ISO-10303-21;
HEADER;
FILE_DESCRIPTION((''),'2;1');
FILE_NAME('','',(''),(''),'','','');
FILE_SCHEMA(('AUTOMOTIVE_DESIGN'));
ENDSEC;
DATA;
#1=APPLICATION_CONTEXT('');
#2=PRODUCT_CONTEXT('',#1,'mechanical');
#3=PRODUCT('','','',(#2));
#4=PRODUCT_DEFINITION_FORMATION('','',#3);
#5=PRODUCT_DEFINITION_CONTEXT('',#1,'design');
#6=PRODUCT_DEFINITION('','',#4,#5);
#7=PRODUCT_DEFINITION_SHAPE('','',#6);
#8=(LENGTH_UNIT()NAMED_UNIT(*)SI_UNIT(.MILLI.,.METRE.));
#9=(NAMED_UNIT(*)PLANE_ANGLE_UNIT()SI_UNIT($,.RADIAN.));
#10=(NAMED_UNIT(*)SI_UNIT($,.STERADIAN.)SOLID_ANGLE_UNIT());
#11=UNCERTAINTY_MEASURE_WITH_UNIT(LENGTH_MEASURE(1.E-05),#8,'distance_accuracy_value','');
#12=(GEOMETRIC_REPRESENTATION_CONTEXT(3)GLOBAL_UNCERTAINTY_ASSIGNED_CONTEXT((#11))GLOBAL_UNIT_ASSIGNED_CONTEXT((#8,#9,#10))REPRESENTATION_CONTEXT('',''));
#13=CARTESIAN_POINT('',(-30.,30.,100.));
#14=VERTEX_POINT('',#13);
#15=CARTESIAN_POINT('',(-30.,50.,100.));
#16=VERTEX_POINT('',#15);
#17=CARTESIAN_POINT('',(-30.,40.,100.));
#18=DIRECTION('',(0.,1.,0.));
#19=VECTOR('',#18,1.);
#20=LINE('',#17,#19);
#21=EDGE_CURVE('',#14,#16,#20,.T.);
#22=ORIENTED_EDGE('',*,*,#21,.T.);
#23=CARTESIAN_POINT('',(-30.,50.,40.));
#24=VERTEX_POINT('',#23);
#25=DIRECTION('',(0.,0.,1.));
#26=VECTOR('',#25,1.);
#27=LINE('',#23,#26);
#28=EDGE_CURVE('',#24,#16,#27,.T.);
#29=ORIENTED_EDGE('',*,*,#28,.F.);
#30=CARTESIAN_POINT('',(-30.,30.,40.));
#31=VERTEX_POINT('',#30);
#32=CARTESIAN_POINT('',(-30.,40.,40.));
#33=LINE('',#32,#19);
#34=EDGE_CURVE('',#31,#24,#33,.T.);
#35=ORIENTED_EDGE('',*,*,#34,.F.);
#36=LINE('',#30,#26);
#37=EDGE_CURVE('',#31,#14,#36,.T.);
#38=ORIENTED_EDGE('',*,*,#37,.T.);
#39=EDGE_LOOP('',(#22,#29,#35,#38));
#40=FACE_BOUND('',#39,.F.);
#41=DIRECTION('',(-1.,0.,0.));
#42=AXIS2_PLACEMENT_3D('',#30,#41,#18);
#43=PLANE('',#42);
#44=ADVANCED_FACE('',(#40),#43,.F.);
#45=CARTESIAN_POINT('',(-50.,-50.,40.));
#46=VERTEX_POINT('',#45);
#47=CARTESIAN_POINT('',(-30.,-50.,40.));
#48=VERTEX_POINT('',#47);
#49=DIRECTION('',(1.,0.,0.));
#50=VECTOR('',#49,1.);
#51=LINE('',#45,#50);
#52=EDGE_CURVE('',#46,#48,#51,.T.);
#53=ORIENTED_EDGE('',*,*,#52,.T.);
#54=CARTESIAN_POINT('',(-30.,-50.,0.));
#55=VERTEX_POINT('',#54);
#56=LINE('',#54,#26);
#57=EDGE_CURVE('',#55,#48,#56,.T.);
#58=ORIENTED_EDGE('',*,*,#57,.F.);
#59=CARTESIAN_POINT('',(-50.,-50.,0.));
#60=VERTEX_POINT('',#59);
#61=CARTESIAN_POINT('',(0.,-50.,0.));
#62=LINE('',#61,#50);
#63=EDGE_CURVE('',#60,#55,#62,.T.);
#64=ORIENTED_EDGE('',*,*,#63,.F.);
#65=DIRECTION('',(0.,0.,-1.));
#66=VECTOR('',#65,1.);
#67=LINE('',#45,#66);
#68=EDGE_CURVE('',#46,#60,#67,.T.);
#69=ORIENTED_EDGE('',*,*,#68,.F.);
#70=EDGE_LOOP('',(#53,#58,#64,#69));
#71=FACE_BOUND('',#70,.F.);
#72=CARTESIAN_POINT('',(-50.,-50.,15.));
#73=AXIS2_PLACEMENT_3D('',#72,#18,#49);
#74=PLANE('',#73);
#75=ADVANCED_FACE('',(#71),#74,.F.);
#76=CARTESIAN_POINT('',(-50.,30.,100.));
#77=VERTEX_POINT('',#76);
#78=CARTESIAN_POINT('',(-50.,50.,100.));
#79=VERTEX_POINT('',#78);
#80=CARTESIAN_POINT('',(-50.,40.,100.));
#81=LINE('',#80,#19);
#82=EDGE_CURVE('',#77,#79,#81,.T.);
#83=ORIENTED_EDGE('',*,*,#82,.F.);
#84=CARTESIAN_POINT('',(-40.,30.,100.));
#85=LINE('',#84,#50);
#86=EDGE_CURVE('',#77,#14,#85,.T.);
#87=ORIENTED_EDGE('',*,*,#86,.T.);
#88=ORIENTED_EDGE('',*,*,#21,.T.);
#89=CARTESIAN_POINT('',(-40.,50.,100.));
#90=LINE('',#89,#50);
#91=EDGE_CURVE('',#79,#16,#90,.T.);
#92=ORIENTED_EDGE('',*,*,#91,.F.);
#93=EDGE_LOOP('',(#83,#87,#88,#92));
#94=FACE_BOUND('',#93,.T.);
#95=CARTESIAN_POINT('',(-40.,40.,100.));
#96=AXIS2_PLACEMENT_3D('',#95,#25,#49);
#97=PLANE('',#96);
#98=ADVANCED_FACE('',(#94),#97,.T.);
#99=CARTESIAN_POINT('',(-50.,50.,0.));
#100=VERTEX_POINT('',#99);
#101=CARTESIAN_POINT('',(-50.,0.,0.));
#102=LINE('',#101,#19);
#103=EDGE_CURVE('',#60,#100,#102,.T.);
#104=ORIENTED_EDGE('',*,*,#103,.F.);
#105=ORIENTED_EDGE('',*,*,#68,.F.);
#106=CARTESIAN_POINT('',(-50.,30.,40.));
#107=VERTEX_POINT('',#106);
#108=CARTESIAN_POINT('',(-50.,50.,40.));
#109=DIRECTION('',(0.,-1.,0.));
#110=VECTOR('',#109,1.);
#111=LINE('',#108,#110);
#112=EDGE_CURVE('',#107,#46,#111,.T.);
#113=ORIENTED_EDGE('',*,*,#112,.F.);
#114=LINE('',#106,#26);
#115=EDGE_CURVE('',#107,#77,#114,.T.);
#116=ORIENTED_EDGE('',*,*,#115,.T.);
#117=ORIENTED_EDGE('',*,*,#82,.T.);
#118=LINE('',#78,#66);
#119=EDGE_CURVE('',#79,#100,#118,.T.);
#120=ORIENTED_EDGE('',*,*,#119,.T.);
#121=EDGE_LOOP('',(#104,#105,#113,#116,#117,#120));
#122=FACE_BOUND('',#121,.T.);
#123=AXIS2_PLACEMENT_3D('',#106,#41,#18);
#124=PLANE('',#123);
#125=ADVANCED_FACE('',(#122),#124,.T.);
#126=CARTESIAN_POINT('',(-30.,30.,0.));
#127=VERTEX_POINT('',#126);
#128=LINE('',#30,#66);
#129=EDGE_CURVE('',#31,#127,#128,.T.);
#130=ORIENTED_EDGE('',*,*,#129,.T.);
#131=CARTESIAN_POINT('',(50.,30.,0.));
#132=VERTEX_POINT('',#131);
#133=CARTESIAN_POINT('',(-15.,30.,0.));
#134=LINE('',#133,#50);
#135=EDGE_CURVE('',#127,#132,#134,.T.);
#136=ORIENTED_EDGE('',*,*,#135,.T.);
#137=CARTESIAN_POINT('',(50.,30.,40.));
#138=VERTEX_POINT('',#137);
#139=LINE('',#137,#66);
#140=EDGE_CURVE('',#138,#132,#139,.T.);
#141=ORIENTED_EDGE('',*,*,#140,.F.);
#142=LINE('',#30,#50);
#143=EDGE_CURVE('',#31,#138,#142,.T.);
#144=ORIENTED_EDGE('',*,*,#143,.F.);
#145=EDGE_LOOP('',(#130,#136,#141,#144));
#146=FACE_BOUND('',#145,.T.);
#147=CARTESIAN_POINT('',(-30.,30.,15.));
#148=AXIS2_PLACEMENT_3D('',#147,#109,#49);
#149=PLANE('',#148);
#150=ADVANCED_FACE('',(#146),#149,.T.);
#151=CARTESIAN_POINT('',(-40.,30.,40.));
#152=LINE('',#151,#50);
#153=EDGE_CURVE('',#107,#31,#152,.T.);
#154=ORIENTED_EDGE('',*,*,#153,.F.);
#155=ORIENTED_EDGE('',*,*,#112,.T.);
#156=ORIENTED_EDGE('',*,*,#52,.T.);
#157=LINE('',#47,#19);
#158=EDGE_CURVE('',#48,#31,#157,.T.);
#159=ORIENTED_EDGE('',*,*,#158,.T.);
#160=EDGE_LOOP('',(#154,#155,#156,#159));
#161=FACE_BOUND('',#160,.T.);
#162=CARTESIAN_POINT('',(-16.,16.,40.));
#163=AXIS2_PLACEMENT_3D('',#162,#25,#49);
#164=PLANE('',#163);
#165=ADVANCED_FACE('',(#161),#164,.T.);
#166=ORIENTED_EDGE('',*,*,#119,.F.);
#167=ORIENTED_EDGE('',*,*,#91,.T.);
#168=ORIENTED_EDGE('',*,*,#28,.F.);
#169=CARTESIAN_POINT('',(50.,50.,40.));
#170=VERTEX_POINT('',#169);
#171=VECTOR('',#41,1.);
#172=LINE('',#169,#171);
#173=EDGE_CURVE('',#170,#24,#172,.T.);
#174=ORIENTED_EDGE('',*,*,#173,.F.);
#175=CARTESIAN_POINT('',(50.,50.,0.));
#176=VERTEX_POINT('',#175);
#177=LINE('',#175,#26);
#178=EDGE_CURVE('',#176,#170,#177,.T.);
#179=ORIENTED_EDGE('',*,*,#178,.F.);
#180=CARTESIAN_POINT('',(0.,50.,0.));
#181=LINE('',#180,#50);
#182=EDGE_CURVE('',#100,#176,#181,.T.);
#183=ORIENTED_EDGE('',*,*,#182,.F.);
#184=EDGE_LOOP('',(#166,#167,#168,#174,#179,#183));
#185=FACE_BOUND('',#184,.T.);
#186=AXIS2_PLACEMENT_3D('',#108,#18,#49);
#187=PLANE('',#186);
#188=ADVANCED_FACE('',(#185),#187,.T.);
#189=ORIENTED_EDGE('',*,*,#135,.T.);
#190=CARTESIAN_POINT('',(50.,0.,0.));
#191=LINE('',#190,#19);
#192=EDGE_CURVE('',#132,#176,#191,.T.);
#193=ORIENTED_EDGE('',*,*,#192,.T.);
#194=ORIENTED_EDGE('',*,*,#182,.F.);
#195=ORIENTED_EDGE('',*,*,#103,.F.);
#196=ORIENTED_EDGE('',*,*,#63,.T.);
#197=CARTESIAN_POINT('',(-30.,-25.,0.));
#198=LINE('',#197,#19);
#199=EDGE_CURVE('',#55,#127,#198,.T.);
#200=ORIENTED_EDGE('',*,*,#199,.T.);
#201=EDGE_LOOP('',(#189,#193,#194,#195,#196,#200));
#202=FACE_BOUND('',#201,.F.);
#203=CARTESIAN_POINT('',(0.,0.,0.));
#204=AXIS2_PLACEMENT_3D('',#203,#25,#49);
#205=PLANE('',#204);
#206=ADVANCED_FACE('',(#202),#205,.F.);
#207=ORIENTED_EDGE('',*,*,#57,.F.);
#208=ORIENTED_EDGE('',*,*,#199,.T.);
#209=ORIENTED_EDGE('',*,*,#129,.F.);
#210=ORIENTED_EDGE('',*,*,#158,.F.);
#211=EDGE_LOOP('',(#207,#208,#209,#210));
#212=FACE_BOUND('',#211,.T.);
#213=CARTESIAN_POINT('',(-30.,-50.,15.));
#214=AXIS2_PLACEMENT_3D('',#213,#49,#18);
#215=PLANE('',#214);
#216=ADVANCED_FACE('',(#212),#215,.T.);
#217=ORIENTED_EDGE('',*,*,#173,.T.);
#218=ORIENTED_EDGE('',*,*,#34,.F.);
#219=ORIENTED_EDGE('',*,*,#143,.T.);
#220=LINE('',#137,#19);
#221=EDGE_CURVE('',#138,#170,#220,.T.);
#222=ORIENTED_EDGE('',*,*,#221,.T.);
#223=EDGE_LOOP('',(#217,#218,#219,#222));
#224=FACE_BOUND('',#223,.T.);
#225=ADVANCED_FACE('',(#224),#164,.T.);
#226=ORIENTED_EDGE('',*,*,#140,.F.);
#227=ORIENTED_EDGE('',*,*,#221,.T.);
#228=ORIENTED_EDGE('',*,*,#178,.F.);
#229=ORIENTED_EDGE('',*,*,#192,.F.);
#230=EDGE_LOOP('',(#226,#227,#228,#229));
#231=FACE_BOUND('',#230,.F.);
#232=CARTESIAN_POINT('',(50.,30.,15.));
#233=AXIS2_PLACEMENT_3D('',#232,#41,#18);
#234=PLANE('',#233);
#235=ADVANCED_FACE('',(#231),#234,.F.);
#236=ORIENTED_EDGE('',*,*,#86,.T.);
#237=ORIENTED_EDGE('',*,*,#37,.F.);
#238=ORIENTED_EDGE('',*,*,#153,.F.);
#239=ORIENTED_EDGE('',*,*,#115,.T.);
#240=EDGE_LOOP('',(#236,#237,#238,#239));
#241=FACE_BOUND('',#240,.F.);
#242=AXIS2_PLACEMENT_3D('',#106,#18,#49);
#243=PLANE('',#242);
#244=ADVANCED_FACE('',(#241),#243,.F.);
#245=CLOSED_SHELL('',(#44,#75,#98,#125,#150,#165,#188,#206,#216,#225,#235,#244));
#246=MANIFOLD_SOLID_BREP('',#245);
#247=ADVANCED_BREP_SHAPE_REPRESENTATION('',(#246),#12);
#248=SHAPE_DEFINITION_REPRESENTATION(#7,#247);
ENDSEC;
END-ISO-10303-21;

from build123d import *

# Parameters (mm, degrees)
F0_W     = 100
F0_H     = 100
F1_DEPTH = 15
F3_DEPTH = 25
F4_R     = 30
F5_DEPTH = 15.001
F6_W     = 20
F6_H     = 20
F7_DEPTH = 60
F8_W     = 80
F8_H     = 80
F9_DEPTH = 15.001


with BuildPart() as f1:
    # F0 (on Top) → F1 (new body)
    with BuildSketch(Plane.XY):
        Rectangle(F0_W, F0_H)
    extrude(amount=F1_DEPTH)

    # F2 (on face) → F3 (join)
    with BuildSketch(Plane.XY.offset(15)):
        Polygon((-30, -50), (-30, 30), (50, 30), (50, 50), (-50, 50), (-50, -50), align=None)
    extrude(amount=F3_DEPTH)

    # F4 (on face) → F5 (cut, through all)
    with BuildSketch(Plane.XY.offset(15)):
        with Locations((10, -10)):
            Circle(F4_R)
    extrude(amount=-F5_DEPTH, mode=Mode.SUBTRACT)

    # F6 (on face) → F7 (join)
    with BuildSketch(Plane.XY.offset(40)):
        with Locations((-40, 40)):
            Rectangle(F6_W, F6_H)
    extrude(amount=F7_DEPTH)

    # F8 (on face) → F9 (cut, through all)
    with BuildSketch(Plane.XY.offset(15)):
        with Locations((10, -10)):
            Rectangle(F8_W, F8_H)
    extrude(amount=-F9_DEPTH, mode=Mode.SUBTRACT)


solid = f1.part
